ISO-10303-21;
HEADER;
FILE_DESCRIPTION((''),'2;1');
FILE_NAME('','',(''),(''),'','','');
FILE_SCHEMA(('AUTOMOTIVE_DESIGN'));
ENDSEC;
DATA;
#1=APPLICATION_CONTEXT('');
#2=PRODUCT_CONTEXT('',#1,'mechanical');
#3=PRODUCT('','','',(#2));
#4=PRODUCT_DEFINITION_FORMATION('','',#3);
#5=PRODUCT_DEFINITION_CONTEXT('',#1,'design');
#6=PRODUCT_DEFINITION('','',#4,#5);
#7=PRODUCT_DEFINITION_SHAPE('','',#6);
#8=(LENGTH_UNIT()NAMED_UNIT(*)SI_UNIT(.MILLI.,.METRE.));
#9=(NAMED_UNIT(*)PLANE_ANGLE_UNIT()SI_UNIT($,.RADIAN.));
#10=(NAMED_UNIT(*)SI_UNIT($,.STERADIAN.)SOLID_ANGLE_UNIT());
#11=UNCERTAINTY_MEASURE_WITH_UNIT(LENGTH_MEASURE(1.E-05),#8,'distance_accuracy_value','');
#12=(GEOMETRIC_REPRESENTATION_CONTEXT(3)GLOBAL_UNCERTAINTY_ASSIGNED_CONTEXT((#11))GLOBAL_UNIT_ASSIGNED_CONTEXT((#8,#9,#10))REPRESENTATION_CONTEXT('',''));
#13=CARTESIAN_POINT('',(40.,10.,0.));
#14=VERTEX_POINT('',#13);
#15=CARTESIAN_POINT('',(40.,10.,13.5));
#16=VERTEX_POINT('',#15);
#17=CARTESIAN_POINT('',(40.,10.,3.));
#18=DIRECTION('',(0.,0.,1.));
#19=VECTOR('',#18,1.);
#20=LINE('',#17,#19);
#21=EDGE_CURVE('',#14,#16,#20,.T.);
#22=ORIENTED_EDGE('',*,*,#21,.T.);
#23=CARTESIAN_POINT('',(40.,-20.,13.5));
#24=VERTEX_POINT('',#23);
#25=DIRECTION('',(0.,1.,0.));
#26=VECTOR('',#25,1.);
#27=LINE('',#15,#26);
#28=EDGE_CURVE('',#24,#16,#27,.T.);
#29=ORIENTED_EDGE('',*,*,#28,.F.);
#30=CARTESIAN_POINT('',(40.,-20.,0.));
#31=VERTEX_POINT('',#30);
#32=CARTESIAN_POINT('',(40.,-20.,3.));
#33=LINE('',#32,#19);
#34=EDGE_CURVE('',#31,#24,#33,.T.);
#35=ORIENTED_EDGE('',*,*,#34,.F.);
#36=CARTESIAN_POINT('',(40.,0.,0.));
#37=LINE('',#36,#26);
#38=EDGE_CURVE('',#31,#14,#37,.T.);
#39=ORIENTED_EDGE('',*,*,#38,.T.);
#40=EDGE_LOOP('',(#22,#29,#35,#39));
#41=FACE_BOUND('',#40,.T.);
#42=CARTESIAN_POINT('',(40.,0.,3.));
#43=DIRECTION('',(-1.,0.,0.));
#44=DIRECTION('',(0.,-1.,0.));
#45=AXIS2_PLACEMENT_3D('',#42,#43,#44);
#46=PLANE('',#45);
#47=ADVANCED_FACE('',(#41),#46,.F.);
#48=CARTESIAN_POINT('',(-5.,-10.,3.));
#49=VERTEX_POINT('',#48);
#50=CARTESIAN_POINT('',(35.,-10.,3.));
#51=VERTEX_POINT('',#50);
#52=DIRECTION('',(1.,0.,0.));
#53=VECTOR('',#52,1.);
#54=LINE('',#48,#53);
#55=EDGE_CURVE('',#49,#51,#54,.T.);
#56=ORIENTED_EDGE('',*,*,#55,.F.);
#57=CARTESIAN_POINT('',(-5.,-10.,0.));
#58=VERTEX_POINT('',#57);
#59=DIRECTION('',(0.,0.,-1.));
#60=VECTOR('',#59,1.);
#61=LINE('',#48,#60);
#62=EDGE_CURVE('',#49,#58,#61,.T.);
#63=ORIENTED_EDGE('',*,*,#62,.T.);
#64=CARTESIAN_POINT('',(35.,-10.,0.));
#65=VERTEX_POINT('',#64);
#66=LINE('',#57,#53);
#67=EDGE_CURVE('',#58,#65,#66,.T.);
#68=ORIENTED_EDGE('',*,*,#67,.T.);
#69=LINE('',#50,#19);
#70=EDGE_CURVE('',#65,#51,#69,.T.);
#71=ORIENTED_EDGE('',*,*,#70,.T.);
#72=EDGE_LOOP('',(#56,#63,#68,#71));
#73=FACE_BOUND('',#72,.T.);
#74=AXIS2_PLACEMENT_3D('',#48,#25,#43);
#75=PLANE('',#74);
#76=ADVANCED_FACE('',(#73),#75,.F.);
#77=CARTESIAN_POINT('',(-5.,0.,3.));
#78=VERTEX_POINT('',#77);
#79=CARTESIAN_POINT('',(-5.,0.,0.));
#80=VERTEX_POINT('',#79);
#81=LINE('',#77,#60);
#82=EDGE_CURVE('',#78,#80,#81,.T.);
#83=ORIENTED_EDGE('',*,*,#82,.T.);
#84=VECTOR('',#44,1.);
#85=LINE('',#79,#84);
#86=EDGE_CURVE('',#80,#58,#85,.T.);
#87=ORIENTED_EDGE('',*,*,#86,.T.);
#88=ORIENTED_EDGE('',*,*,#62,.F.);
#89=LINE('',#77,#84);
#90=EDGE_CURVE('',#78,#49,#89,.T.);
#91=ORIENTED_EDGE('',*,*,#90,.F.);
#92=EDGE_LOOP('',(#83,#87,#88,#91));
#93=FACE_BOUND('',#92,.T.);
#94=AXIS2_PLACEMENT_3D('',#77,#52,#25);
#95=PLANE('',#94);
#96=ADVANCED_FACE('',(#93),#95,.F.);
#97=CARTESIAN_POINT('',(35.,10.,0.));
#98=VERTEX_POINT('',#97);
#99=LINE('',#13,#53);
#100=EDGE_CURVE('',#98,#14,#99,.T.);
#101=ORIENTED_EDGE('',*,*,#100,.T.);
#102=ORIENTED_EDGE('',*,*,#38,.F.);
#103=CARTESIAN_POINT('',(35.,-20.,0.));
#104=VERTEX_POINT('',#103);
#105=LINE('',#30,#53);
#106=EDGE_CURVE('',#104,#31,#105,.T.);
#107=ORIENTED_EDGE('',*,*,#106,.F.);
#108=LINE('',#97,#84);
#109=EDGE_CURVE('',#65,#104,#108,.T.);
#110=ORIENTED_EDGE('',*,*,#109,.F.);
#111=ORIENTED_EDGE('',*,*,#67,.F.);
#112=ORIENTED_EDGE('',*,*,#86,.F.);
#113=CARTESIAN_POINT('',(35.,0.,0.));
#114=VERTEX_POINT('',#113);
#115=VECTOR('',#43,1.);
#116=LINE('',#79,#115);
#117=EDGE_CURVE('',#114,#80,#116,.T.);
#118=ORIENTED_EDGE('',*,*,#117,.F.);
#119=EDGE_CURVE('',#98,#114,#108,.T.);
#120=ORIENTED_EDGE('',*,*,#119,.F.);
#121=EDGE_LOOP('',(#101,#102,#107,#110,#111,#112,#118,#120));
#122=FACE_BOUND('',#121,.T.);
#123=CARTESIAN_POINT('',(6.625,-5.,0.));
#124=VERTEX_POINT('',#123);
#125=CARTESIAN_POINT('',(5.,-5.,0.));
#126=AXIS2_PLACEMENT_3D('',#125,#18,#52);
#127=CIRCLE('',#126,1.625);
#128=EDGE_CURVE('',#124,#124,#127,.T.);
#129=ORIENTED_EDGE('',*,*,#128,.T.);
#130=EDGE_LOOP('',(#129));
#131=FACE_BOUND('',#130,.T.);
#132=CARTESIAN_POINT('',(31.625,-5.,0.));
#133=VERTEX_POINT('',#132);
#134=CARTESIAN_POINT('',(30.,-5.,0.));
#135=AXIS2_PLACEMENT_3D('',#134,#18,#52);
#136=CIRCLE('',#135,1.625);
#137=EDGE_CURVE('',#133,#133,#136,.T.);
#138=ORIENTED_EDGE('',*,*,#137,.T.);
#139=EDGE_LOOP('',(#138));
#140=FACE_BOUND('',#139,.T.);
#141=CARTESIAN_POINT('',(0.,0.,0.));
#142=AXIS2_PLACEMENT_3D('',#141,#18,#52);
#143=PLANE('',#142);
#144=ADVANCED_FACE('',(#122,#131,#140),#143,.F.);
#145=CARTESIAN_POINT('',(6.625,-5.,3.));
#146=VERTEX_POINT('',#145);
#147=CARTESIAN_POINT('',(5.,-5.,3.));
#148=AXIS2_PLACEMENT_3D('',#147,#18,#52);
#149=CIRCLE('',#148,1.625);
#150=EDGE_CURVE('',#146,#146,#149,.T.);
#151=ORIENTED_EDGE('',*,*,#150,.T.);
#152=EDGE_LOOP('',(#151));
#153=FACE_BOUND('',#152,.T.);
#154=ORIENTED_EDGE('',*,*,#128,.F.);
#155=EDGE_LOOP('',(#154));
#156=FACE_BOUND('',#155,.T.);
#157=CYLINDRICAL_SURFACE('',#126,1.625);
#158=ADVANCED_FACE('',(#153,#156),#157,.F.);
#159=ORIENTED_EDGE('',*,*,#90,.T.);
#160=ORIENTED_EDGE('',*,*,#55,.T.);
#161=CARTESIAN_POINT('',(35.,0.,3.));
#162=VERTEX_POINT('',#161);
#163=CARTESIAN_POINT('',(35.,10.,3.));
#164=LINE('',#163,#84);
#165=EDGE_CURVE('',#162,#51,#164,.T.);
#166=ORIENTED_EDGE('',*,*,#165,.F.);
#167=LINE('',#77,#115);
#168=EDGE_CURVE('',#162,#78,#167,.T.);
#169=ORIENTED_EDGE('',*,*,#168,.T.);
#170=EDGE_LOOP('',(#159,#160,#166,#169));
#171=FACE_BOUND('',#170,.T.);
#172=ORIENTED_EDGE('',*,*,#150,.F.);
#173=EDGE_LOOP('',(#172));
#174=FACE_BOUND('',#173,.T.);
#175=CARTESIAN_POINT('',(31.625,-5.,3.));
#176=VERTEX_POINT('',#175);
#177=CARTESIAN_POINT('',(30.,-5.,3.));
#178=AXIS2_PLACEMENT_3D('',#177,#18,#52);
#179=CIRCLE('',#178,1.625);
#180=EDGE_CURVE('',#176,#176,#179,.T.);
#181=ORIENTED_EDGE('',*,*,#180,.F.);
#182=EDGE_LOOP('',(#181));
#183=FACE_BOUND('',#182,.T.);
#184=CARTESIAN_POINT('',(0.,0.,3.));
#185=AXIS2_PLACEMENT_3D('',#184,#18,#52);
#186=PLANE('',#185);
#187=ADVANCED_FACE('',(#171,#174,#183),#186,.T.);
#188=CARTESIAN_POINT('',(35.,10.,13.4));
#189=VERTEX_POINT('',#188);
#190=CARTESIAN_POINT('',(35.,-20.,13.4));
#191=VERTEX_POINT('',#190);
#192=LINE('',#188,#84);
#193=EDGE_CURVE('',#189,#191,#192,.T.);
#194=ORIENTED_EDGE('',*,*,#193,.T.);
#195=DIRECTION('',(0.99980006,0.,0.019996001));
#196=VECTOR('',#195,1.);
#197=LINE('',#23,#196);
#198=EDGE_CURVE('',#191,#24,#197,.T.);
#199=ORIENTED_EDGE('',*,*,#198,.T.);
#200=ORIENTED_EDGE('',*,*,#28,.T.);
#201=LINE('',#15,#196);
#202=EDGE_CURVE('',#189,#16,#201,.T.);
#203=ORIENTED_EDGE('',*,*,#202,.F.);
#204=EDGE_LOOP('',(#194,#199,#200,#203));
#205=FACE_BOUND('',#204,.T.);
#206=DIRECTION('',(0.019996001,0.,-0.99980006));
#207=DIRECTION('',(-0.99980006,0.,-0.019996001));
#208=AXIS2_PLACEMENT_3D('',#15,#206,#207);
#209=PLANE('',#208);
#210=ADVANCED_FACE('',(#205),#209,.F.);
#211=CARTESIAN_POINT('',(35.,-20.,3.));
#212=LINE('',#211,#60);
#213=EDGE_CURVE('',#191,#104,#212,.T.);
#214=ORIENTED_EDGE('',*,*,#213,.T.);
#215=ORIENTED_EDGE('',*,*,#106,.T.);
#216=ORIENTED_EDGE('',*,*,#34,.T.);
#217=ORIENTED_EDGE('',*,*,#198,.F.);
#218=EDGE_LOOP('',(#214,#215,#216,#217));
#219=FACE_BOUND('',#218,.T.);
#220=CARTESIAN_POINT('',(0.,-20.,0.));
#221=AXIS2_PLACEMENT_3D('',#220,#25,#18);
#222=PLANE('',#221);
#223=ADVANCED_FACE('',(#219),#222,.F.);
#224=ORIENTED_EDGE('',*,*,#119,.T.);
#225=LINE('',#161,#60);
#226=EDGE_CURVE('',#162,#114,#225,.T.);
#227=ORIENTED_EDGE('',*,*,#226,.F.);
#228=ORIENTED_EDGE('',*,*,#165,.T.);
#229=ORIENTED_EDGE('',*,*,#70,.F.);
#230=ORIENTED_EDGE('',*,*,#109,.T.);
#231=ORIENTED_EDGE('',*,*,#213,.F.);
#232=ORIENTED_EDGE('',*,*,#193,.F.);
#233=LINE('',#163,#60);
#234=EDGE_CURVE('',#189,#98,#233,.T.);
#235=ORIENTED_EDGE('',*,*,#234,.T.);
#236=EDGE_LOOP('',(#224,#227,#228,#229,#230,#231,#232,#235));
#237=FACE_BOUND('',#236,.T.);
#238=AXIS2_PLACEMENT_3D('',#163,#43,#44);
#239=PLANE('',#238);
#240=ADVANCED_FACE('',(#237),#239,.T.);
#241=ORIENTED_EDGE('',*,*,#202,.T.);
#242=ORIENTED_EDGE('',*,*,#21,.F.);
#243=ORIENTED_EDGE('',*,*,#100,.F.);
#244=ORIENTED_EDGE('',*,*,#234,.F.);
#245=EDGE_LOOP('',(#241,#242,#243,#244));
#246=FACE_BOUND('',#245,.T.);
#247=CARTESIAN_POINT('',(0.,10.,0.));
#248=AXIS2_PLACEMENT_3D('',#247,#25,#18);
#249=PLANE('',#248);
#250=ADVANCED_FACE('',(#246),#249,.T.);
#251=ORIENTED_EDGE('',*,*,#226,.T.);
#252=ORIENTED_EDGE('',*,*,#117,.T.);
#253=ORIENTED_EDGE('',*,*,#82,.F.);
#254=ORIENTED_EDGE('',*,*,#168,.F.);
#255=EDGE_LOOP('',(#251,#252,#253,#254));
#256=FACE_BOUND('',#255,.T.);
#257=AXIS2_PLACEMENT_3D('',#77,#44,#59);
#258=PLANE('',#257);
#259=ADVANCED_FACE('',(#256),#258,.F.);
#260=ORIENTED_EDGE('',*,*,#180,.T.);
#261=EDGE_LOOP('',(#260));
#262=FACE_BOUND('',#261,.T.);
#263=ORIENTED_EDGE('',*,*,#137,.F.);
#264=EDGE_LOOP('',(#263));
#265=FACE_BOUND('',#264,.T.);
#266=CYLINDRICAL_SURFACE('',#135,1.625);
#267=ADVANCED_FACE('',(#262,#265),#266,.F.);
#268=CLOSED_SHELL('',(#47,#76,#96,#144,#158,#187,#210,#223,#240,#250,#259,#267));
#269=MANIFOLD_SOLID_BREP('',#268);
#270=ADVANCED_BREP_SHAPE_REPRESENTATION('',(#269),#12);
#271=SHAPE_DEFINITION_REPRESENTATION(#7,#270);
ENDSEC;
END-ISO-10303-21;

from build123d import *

# Parameters (mm, degrees)
ESQUISSE1_W             = 45
ESQUISSE1_H             = 10
BOSS_EXTRU_1_DEPTH      = 3
ESQUISSE2_R             = 1.625
ENL_V_MAT_EXTRU_1_DEPTH = 4
ESQUISSE3_W             = 5
ESQUISSE3_H             = 3
BOSS_EXTRU_2_DEPTH      = 10
BOSS_EXTRU_2_DEPTH_BACK = 20
ESQUISSE4_W             = 5
ESQUISSE4_H             = 30
BOSS_EXTRU_3_DEPTH      = 10.5
ENL_V_MAT_EXTRU_2_DEPTH = 31


with BuildPart() as part:
    # Esquisse1 → Boss.-Extru.1 (new body)
    with BuildSketch(Plane.XY):
        with Locations((17.5, -5)):
            Rectangle(ESQUISSE1_W, ESQUISSE1_H)
    extrude(amount=BOSS_EXTRU_1_DEPTH)

    # Esquisse2 → Enlèv. mat.-Extru.1 (cut, through all)
    with BuildSketch(Plane.XY.offset(3)):
        with Locations((30, -5)):
            Circle(ESQUISSE2_R)
        with Locations((5, -5)):
            Circle(ESQUISSE2_R)
    extrude(amount=-ENL_V_MAT_EXTRU_1_DEPTH, mode=Mode.SUBTRACT)

    # Esquisse3 → Boss.-Extru.2 (add, two sides)
    with BuildSketch(Plane.XZ.offset(10)) as boss_extru_2_sk:
        with Locations((37.5, 1.5)):
            Rectangle(ESQUISSE3_W, ESQUISSE3_H)
    extrude(amount=BOSS_EXTRU_2_DEPTH)
    extrude(boss_extru_2_sk.sketch, amount=-BOSS_EXTRU_2_DEPTH_BACK)

    # Esquisse4 → Boss.-Extru.3 (add)
    with BuildSketch(Plane.XY.offset(3)):
        with Locations((37.5, -5)):
            Rectangle(ESQUISSE4_W, ESQUISSE4_H)
    extrude(amount=BOSS_EXTRU_3_DEPTH)

    # Esquisse5 → Enlèv. mat.-Extru.2 (cut, through all)
    with BuildSketch(Plane.XZ.offset(20)):
        Polygon((35, 13.5), (40, 13.5), (35, 13.4), align=None)
    extrude(amount=-ENL_V_MAT_EXTRU_2_DEPTH, mode=Mode.SUBTRACT)


solid = part.part
